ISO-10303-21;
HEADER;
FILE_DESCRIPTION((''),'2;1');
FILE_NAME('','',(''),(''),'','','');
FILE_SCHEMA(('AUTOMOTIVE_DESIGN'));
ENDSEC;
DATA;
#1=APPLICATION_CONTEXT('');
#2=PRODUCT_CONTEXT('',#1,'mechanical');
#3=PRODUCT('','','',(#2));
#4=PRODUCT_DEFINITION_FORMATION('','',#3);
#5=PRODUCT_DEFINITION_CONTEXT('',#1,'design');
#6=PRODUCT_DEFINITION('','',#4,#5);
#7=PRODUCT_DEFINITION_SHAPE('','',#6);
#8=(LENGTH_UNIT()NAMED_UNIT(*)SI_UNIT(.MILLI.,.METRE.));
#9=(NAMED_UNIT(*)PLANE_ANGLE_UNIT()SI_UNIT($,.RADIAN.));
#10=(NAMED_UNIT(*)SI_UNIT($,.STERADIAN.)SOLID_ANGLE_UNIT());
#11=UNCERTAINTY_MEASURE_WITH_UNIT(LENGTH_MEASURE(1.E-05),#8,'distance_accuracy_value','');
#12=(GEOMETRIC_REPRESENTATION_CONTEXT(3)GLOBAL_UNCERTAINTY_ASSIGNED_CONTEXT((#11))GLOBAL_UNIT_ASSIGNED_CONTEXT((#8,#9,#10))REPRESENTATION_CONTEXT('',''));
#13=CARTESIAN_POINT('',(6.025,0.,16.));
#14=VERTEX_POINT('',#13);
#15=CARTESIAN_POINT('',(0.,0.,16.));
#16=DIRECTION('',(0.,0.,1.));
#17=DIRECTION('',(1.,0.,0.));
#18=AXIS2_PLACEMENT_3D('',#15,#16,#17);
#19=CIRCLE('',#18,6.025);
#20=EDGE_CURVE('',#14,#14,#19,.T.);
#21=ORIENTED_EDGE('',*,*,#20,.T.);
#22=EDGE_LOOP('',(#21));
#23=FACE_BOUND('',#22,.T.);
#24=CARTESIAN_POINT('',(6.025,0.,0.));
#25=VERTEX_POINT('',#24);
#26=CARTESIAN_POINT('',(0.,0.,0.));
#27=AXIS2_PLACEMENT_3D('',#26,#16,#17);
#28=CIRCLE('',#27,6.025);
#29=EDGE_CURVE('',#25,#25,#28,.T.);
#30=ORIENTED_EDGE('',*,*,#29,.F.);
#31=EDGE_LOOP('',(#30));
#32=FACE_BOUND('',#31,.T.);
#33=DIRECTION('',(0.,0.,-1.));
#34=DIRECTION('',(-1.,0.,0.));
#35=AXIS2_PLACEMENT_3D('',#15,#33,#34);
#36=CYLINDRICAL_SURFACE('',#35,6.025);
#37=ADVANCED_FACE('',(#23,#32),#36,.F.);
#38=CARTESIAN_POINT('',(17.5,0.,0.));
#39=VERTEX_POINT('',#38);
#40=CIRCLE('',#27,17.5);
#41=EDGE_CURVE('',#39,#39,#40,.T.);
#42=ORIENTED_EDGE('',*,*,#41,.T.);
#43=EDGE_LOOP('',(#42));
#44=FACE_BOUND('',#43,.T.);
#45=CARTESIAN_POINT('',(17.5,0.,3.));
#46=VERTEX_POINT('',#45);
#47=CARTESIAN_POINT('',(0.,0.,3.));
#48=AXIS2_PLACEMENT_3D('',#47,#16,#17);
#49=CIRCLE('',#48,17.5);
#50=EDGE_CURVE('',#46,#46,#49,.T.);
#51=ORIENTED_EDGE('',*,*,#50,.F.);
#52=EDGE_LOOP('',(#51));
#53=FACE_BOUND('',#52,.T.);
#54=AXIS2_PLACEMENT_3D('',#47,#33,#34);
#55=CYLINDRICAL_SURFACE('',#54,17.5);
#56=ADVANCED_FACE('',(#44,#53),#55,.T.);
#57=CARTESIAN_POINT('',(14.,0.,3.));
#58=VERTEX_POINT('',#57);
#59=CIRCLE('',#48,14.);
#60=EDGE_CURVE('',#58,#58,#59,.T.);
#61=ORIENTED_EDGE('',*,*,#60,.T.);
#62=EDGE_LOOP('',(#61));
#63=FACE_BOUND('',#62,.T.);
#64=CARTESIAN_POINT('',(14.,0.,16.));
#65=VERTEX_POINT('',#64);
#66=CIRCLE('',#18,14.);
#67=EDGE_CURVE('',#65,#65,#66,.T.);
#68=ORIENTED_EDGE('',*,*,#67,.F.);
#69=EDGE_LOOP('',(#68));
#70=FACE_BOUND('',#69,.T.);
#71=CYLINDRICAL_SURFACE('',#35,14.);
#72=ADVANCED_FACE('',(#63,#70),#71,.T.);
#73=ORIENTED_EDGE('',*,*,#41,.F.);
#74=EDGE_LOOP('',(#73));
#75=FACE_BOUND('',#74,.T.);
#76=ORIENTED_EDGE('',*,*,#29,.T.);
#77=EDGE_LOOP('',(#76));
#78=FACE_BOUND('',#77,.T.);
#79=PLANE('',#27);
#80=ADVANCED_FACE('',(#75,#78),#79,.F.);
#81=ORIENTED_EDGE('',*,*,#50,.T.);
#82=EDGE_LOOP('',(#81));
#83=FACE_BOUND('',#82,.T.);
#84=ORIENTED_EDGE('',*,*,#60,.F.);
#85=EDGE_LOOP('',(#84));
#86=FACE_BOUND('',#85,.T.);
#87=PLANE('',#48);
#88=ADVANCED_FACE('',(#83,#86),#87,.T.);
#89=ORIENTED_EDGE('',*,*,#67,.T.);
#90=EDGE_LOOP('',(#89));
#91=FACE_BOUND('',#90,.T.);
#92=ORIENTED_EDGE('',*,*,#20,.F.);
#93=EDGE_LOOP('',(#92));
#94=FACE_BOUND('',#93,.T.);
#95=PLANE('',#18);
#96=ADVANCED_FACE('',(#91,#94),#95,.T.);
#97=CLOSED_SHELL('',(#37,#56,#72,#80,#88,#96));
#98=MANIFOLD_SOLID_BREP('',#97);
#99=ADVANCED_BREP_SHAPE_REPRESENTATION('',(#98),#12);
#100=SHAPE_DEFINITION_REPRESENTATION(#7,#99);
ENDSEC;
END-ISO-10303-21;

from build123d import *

# Parameters (mm, degrees)
SKETCH_1_R      = 14
SKETCH_1_R_2    = 6.025
EXTRUDE_1_DEPTH = 16
SKETCH_2_R      = 17.5
SKETCH_2_R_2    = 6.025
EXTRUDE_2_DEPTH = 3


with BuildPart() as part:
    # 草图1 → 凸台-拉伸1 (new body)
    with BuildSketch(Plane.XY):
        Circle(SKETCH_1_R)
        Circle(SKETCH_1_R_2, mode=Mode.SUBTRACT)
    extrude(amount=EXTRUDE_1_DEPTH)

    # 草图2 → 凸台-拉伸2 (add)
    with BuildSketch(Plane.XY):
        Circle(SKETCH_2_R)
        Circle(SKETCH_2_R_2, mode=Mode.SUBTRACT)
    extrude(amount=EXTRUDE_2_DEPTH)


solid = part.part
